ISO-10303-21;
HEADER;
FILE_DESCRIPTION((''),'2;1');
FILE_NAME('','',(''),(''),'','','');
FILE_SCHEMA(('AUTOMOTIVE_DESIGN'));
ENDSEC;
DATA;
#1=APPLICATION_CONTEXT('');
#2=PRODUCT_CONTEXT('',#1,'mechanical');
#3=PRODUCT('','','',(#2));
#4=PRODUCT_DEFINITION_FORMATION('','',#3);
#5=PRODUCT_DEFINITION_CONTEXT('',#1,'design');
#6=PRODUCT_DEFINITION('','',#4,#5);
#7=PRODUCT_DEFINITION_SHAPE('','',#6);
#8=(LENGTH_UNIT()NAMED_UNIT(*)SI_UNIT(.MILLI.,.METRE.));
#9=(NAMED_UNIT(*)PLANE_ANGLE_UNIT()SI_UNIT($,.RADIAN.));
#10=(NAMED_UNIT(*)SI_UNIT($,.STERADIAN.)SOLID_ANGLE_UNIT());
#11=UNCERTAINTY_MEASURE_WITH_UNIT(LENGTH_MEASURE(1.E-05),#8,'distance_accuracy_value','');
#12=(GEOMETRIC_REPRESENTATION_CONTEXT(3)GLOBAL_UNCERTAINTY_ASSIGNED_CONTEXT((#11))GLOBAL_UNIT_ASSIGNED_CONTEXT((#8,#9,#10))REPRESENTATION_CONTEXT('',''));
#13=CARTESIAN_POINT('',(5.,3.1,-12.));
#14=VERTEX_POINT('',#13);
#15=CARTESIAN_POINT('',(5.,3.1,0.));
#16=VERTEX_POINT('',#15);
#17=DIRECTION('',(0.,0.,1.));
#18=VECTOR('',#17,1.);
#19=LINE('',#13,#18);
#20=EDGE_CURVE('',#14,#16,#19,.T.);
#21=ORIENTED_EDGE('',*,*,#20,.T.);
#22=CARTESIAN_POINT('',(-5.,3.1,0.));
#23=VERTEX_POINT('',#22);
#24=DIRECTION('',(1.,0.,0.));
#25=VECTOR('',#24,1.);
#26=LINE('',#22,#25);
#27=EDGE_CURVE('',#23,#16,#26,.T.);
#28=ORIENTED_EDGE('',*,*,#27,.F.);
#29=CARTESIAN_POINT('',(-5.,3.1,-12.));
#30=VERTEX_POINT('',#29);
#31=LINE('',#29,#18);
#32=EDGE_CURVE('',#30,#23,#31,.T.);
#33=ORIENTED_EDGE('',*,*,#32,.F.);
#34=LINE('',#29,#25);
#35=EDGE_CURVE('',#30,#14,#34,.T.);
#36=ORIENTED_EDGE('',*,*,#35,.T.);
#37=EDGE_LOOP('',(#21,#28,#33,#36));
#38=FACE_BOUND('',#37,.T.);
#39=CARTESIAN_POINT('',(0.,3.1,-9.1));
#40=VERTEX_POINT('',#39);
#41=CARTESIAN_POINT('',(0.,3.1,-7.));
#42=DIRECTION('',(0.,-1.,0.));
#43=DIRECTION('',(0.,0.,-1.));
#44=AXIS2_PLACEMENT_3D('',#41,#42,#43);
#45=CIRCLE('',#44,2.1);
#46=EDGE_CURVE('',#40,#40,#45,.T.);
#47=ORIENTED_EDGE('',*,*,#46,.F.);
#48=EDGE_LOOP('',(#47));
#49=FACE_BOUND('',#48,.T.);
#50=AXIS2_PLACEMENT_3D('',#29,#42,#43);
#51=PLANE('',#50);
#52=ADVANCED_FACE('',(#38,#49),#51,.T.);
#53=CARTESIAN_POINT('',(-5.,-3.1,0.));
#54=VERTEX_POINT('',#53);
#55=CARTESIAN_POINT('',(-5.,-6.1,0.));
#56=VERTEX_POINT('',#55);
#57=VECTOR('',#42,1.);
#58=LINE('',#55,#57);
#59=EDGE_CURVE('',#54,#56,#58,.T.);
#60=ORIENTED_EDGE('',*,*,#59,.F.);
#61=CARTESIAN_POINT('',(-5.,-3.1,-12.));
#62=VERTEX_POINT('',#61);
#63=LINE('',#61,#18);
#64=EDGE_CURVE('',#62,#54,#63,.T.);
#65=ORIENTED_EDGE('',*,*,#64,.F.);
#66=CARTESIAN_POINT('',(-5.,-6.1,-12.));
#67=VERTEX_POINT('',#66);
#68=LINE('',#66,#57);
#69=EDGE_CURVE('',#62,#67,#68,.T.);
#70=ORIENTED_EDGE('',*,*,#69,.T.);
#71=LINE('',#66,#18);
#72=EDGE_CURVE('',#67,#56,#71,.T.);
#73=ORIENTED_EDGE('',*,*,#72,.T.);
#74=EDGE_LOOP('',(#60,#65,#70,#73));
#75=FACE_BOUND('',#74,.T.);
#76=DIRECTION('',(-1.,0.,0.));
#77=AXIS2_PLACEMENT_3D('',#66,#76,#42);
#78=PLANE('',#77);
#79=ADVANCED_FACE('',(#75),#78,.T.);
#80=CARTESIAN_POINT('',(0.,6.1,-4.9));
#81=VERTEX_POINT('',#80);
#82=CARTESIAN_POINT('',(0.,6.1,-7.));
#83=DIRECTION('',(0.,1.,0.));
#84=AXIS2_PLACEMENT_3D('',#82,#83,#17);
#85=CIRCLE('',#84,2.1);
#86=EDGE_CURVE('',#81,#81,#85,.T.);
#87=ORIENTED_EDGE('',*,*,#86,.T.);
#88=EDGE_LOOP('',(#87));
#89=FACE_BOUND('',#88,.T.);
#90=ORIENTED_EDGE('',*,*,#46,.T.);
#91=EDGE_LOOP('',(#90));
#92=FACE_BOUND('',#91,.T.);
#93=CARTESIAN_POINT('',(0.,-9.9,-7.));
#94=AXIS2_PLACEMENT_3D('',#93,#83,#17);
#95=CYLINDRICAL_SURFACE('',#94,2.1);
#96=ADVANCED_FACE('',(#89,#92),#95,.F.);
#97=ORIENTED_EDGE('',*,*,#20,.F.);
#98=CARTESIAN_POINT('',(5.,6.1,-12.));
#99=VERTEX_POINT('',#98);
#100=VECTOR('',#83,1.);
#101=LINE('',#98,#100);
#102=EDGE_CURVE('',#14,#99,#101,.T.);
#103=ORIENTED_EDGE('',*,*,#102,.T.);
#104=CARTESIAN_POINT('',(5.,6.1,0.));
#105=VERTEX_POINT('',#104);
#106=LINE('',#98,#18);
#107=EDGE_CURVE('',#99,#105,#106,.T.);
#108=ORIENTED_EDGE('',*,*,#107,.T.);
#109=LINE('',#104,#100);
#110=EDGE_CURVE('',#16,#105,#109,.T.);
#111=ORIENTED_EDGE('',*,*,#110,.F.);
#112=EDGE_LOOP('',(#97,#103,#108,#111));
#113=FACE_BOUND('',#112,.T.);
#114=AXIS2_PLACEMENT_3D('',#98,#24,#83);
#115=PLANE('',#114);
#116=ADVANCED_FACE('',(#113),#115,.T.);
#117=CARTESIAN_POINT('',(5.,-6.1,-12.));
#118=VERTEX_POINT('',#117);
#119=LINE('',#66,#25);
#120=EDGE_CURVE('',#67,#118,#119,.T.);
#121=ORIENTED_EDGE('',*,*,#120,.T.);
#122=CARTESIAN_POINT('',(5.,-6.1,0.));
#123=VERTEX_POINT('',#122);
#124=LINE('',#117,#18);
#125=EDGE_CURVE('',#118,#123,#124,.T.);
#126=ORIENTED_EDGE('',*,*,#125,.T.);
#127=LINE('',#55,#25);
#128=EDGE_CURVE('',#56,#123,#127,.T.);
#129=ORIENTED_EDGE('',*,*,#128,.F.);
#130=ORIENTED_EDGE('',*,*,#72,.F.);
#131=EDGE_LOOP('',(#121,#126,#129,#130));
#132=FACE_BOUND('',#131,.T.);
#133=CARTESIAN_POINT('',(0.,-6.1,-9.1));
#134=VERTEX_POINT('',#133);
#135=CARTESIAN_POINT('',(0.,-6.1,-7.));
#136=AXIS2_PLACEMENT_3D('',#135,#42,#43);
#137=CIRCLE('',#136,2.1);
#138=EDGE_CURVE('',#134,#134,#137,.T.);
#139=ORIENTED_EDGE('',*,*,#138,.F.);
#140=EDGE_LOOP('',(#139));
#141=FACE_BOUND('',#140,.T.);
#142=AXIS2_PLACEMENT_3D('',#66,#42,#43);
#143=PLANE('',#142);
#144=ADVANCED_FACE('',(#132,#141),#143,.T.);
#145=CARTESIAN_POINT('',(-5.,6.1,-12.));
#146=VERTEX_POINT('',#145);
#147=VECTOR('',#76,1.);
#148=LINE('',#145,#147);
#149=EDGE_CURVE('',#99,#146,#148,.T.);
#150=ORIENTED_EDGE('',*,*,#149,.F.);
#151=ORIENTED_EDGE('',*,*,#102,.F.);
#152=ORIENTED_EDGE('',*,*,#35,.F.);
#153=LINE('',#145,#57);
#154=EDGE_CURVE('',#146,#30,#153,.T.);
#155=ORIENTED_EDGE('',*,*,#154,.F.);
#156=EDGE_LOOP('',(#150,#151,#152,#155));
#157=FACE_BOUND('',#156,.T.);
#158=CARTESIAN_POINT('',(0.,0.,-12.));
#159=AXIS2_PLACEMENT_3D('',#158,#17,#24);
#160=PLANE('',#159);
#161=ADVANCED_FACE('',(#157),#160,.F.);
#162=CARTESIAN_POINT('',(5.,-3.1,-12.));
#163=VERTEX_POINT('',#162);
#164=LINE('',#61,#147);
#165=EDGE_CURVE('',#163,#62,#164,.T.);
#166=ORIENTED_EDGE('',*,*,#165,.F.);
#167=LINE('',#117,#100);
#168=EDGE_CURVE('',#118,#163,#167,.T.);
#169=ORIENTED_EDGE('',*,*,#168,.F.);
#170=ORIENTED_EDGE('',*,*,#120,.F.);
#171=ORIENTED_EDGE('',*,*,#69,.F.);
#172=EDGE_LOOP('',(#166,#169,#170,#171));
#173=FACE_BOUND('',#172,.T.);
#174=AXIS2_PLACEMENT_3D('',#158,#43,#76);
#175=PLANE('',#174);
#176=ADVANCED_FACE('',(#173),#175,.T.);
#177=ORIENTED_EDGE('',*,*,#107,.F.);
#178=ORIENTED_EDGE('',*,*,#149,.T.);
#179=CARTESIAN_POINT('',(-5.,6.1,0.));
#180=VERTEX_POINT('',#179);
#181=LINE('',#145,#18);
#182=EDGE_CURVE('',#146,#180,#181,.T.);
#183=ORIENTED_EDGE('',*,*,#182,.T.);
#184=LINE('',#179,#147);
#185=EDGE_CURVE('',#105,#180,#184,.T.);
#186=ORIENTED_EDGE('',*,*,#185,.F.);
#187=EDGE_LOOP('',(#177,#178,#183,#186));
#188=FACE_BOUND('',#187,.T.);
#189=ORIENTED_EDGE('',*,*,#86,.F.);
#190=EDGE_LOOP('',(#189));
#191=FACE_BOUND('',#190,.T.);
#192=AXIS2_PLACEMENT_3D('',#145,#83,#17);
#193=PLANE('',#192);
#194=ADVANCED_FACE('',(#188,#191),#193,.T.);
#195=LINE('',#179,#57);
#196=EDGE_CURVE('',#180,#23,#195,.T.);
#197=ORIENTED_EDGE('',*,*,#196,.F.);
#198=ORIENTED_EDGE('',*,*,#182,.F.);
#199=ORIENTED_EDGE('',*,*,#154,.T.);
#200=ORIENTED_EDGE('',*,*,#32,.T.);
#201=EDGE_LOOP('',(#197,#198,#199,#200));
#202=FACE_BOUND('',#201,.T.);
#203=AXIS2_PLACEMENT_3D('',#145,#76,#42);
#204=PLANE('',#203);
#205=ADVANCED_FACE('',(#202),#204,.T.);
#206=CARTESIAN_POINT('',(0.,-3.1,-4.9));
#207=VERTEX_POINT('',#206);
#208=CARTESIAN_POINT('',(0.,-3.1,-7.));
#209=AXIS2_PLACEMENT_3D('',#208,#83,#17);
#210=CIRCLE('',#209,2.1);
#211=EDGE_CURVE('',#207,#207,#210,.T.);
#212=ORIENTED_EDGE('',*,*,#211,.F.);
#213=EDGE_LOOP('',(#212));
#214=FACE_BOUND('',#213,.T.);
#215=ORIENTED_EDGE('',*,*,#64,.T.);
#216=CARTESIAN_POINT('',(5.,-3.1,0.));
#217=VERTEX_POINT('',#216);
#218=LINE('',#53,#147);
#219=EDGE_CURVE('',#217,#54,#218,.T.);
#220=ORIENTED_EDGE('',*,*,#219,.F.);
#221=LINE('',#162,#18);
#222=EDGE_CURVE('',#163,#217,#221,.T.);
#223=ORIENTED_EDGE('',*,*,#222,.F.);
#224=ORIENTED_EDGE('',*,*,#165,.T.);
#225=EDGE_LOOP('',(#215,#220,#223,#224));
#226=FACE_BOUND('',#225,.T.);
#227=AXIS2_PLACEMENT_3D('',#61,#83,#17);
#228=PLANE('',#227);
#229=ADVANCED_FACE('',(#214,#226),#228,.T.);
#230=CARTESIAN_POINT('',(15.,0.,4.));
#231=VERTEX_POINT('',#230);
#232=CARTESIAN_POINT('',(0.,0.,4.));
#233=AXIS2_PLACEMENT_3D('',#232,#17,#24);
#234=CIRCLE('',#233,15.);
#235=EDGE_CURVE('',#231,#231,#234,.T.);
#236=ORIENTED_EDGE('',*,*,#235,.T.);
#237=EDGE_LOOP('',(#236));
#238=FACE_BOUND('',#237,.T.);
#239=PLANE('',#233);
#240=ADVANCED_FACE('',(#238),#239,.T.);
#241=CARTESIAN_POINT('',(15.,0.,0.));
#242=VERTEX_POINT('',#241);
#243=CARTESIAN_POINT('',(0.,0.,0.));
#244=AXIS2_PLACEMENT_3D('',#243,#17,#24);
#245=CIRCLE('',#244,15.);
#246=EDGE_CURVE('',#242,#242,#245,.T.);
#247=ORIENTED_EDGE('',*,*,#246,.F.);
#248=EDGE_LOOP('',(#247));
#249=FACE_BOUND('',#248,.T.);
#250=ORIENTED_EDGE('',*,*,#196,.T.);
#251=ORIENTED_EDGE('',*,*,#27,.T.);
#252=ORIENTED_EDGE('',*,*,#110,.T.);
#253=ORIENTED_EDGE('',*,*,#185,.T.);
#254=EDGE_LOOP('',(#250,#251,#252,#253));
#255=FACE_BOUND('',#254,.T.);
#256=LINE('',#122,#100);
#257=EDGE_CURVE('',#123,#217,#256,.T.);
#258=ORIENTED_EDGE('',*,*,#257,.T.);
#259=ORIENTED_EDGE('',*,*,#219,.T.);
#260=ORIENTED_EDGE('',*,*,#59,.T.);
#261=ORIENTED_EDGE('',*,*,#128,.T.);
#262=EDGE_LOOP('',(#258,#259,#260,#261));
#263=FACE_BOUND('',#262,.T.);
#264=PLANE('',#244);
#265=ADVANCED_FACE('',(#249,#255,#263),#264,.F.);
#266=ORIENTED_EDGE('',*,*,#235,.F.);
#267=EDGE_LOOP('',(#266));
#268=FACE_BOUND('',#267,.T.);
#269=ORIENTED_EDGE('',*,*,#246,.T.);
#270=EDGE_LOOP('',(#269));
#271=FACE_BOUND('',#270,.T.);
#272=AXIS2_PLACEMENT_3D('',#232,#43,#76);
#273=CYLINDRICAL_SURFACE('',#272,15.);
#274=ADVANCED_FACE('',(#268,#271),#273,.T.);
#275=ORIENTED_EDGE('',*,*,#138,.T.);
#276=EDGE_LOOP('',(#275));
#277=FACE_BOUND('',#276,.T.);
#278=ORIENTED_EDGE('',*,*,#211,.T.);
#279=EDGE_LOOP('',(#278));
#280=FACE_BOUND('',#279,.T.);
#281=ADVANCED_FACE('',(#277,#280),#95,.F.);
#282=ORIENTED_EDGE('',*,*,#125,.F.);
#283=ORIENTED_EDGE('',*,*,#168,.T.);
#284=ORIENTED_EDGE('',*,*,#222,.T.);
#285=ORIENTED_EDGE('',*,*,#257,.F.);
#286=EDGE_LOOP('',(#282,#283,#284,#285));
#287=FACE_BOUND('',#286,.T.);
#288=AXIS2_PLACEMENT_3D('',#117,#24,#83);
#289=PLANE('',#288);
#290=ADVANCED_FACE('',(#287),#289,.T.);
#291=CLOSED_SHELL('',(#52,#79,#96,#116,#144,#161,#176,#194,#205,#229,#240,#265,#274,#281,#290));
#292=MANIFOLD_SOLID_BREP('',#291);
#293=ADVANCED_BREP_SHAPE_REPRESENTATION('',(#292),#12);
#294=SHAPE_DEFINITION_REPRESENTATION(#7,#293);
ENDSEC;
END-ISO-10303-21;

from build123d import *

# Parameters (mm, degrees)
SKETCH_1_R          = 15
EXTRUDE_1_DEPTH     = 4
SKETCH_2_W          = 10
SKETCH_2_H          = 3
EXTRUDE_2_DEPTH     = 12
SKETCH_3_R          = 2.1
CUT_EXTRUDE_1_DEPTH = 16


with BuildPart() as part:
    # 草图1 → 凸台-拉伸1 (new body)
    with BuildSketch(Plane.XY):
        Circle(SKETCH_1_R)
    extrude(amount=EXTRUDE_1_DEPTH)

    # 草图2 → 凸台-拉伸2 (add)
    with BuildSketch(Plane.XY):
        with Locations((0, -4.6)):
            Rectangle(SKETCH_2_W, SKETCH_2_H)
        with Locations((0, 4.6)):
            Rectangle(SKETCH_2_W, SKETCH_2_H)
    extrude(amount=-EXTRUDE_2_DEPTH)

    # 草图3 → 切除-拉伸1 (cut)
    with BuildSketch(Plane(origin=(0, 6.1, 0), x_dir=(1, 0, 0), z_dir=(0, 1, 0))):
        with Locations(Location((0, 7, 0), (0, 0, 270))):
            Circle(SKETCH_3_R)
    extrude(amount=-CUT_EXTRUDE_1_DEPTH, mode=Mode.SUBTRACT)


solid = part.part
